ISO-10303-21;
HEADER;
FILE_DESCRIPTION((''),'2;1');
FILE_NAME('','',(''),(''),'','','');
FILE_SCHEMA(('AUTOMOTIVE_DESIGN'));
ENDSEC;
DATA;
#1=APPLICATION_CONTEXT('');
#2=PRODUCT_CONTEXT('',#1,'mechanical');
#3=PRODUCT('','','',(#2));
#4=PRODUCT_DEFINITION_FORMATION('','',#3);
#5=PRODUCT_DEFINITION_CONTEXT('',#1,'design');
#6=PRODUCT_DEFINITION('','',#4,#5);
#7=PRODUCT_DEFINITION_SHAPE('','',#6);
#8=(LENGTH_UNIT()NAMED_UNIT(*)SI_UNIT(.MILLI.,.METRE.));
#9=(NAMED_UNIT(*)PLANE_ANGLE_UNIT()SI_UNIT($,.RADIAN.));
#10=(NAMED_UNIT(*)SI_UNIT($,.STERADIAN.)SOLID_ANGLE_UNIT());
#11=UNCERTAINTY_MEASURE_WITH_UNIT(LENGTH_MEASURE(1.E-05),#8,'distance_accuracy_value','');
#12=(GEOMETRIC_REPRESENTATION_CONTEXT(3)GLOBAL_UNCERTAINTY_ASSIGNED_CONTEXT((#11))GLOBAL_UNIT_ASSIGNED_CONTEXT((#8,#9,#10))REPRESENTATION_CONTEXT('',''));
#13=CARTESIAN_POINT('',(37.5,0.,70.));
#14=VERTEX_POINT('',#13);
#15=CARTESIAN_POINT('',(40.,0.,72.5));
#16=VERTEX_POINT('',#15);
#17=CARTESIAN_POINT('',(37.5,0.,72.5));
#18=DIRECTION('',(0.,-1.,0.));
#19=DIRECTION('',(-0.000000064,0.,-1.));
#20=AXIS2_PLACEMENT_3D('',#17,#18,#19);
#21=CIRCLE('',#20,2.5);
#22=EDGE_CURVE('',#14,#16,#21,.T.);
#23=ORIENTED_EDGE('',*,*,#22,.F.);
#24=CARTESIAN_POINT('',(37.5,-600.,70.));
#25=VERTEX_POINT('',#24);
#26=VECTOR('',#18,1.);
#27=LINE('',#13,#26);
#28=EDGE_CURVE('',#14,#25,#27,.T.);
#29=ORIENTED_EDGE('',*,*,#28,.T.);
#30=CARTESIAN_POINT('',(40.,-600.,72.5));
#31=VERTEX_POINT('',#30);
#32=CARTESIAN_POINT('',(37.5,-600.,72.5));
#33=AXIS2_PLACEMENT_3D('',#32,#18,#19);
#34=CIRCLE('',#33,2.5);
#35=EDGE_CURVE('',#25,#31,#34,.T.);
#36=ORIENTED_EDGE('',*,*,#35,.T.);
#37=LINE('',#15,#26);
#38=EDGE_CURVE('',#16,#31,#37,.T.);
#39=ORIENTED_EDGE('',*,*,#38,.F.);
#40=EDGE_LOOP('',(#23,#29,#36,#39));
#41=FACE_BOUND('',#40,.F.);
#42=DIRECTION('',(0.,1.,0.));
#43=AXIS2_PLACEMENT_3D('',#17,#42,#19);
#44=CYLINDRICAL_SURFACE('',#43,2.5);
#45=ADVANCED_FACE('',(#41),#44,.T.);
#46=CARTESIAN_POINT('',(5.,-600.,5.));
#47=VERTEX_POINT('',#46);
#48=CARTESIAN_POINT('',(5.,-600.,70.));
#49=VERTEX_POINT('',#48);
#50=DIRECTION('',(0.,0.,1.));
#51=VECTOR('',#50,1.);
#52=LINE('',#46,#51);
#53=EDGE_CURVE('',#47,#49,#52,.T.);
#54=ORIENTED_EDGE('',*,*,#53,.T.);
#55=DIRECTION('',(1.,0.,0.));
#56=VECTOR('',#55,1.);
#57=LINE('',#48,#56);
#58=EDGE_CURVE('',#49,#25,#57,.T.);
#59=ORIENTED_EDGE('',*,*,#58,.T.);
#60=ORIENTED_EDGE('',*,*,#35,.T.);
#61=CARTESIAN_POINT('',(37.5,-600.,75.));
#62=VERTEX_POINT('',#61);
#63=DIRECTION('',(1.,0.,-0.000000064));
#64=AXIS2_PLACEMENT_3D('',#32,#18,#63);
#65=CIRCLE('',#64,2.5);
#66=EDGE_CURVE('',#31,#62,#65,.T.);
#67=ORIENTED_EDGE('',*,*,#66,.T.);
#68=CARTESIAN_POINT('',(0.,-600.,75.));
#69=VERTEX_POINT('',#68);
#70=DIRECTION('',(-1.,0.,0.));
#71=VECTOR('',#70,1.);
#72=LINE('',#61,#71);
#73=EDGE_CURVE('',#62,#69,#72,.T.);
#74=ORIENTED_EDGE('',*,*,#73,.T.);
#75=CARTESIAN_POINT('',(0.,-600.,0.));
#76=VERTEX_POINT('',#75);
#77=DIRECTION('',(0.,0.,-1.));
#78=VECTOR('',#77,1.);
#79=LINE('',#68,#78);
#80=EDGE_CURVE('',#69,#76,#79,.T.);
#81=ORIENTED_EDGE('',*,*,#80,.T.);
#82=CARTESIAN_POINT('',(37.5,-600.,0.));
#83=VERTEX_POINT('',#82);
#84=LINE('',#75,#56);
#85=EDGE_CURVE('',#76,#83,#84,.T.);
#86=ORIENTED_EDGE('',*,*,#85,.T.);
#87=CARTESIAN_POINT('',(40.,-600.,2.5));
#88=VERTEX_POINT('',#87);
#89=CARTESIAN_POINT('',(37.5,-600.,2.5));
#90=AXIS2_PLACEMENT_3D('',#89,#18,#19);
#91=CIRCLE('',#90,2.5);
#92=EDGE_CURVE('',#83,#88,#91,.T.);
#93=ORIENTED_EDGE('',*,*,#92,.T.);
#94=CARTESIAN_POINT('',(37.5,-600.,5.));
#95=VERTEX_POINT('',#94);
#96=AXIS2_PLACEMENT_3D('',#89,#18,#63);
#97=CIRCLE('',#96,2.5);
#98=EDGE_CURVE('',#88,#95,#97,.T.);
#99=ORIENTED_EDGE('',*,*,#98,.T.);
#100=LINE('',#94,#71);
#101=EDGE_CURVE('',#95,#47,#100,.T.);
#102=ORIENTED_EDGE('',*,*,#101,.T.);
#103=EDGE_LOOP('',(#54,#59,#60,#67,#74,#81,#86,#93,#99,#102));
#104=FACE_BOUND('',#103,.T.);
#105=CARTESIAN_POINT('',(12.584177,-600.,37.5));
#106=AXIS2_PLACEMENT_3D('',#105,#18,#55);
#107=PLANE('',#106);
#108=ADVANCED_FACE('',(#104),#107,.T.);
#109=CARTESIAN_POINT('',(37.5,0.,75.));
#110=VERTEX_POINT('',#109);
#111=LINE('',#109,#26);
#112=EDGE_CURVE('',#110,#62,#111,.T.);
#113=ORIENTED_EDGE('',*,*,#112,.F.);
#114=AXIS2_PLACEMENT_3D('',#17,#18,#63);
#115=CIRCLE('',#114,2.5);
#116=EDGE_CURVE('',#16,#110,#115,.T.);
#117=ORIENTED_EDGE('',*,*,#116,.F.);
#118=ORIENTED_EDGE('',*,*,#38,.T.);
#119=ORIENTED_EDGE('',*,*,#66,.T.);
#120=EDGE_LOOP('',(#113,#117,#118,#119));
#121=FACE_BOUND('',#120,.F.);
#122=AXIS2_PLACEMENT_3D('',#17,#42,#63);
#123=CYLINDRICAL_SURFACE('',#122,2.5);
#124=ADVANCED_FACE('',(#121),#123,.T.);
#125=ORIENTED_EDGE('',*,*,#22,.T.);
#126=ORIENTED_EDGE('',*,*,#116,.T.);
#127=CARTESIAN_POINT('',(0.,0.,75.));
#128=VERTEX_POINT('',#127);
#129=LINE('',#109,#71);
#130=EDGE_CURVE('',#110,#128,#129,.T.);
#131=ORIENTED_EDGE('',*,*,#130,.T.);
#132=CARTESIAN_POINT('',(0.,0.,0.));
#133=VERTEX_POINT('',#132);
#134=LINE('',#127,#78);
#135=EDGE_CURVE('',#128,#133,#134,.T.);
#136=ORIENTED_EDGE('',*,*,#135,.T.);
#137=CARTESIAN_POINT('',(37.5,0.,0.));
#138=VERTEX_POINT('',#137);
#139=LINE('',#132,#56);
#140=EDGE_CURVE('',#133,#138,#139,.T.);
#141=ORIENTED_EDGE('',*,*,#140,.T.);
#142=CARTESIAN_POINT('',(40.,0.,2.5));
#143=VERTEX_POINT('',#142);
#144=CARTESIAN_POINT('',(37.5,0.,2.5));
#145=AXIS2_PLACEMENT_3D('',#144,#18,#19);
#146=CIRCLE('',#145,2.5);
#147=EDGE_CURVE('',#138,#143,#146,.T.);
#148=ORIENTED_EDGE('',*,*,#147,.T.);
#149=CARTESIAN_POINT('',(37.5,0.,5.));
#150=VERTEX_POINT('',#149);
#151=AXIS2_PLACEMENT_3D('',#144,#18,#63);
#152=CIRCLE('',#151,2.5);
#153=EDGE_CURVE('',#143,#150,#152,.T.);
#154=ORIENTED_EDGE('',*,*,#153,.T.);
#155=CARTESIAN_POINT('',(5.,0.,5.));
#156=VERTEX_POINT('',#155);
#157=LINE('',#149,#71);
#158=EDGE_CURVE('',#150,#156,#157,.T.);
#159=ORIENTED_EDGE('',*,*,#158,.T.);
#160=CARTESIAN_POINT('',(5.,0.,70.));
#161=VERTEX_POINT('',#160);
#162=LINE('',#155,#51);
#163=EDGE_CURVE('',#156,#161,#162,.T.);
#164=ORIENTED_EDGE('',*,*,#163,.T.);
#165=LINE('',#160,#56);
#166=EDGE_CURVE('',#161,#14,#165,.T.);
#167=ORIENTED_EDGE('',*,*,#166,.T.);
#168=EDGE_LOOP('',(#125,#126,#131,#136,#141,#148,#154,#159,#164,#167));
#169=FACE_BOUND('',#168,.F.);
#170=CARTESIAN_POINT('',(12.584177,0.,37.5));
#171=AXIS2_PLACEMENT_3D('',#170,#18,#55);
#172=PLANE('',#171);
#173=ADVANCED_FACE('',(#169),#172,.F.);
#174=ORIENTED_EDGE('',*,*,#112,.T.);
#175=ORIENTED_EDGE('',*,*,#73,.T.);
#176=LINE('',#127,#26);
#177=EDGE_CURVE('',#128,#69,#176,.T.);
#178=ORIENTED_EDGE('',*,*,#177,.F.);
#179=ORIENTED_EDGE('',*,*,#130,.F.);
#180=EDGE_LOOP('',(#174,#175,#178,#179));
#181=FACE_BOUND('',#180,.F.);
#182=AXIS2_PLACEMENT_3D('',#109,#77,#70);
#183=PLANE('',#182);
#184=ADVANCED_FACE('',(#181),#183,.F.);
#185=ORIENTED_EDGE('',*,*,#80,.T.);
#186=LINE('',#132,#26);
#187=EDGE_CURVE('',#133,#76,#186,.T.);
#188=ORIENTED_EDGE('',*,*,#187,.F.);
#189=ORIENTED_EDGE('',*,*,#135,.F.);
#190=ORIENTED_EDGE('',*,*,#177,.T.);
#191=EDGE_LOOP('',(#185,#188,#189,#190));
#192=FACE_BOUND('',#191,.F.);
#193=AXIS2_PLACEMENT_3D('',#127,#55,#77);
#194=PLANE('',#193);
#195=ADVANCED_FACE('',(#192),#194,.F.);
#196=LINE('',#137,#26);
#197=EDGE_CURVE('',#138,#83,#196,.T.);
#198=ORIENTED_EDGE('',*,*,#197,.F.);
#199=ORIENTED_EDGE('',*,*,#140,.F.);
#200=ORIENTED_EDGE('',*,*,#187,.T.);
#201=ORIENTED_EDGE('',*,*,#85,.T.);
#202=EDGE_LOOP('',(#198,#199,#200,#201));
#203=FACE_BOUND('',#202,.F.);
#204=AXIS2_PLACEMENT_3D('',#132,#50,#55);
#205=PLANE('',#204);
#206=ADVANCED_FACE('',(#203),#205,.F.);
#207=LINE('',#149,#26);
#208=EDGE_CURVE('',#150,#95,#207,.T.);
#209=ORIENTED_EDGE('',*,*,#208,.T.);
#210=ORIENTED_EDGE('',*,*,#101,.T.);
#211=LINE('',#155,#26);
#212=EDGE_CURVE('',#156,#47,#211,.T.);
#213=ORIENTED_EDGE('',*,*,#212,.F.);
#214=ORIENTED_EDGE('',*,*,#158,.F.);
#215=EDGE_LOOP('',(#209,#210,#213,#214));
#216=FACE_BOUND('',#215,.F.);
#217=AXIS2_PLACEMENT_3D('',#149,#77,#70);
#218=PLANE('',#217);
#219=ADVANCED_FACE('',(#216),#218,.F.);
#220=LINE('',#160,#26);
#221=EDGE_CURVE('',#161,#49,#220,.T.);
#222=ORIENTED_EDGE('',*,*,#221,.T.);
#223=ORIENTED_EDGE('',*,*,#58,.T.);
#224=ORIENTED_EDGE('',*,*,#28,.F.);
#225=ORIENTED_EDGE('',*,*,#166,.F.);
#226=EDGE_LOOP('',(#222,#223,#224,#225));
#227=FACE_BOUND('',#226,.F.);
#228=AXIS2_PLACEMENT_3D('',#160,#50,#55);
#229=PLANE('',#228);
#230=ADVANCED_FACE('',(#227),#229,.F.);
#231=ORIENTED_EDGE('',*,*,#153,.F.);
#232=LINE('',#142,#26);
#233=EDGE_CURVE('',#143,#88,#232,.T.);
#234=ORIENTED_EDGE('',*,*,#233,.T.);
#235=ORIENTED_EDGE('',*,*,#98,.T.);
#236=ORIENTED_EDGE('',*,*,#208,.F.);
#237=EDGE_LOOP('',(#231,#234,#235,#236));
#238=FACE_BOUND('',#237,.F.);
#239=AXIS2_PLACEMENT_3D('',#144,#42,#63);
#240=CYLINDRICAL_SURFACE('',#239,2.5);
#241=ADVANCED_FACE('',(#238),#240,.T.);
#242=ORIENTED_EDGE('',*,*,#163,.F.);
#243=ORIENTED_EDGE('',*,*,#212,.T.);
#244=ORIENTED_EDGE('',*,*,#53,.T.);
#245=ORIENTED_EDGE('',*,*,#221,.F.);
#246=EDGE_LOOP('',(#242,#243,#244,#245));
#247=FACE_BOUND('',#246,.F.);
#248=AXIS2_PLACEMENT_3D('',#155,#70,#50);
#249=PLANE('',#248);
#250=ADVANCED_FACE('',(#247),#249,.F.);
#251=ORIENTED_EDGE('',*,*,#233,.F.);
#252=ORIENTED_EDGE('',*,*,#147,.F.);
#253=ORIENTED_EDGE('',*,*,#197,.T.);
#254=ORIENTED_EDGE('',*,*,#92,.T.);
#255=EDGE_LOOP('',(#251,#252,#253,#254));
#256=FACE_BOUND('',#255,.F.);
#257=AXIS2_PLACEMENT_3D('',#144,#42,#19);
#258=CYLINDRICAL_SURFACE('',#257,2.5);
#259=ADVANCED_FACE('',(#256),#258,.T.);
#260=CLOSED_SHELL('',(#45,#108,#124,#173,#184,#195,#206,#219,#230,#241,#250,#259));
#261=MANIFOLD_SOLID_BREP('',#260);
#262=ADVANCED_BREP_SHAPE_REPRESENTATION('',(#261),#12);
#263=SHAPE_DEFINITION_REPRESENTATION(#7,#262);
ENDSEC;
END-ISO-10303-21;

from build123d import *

# Parameters (mm, degrees)
F1_DEPTH = 600


with BuildPart() as f1:
    # F0 (on Front) → F1 (new body)
    with BuildSketch(Plane.XZ):
        with BuildLine():
            Line((0, 75), (0, 0))
            Line((0, 0), (37.5, 0))
            ThreePointArc((37.5, 0), (39.267767, 0.732233), (40, 2.5))
            ThreePointArc((40, 2.5), (39.267767, 4.267767), (37.5, 5))
            Line((37.5, 5), (5, 5))
            Line((5, 5), (5, 70))
            Line((5, 70), (37.5, 70))
            ThreePointArc((37.5, 70), (39.267767, 70.732233), (40, 72.5))
            ThreePointArc((40, 72.5), (39.267767, 74.267767), (37.5, 75))
            Line((37.5, 75), (0, 75))
        make_face()
    extrude(amount=F1_DEPTH)


solid = f1.part
